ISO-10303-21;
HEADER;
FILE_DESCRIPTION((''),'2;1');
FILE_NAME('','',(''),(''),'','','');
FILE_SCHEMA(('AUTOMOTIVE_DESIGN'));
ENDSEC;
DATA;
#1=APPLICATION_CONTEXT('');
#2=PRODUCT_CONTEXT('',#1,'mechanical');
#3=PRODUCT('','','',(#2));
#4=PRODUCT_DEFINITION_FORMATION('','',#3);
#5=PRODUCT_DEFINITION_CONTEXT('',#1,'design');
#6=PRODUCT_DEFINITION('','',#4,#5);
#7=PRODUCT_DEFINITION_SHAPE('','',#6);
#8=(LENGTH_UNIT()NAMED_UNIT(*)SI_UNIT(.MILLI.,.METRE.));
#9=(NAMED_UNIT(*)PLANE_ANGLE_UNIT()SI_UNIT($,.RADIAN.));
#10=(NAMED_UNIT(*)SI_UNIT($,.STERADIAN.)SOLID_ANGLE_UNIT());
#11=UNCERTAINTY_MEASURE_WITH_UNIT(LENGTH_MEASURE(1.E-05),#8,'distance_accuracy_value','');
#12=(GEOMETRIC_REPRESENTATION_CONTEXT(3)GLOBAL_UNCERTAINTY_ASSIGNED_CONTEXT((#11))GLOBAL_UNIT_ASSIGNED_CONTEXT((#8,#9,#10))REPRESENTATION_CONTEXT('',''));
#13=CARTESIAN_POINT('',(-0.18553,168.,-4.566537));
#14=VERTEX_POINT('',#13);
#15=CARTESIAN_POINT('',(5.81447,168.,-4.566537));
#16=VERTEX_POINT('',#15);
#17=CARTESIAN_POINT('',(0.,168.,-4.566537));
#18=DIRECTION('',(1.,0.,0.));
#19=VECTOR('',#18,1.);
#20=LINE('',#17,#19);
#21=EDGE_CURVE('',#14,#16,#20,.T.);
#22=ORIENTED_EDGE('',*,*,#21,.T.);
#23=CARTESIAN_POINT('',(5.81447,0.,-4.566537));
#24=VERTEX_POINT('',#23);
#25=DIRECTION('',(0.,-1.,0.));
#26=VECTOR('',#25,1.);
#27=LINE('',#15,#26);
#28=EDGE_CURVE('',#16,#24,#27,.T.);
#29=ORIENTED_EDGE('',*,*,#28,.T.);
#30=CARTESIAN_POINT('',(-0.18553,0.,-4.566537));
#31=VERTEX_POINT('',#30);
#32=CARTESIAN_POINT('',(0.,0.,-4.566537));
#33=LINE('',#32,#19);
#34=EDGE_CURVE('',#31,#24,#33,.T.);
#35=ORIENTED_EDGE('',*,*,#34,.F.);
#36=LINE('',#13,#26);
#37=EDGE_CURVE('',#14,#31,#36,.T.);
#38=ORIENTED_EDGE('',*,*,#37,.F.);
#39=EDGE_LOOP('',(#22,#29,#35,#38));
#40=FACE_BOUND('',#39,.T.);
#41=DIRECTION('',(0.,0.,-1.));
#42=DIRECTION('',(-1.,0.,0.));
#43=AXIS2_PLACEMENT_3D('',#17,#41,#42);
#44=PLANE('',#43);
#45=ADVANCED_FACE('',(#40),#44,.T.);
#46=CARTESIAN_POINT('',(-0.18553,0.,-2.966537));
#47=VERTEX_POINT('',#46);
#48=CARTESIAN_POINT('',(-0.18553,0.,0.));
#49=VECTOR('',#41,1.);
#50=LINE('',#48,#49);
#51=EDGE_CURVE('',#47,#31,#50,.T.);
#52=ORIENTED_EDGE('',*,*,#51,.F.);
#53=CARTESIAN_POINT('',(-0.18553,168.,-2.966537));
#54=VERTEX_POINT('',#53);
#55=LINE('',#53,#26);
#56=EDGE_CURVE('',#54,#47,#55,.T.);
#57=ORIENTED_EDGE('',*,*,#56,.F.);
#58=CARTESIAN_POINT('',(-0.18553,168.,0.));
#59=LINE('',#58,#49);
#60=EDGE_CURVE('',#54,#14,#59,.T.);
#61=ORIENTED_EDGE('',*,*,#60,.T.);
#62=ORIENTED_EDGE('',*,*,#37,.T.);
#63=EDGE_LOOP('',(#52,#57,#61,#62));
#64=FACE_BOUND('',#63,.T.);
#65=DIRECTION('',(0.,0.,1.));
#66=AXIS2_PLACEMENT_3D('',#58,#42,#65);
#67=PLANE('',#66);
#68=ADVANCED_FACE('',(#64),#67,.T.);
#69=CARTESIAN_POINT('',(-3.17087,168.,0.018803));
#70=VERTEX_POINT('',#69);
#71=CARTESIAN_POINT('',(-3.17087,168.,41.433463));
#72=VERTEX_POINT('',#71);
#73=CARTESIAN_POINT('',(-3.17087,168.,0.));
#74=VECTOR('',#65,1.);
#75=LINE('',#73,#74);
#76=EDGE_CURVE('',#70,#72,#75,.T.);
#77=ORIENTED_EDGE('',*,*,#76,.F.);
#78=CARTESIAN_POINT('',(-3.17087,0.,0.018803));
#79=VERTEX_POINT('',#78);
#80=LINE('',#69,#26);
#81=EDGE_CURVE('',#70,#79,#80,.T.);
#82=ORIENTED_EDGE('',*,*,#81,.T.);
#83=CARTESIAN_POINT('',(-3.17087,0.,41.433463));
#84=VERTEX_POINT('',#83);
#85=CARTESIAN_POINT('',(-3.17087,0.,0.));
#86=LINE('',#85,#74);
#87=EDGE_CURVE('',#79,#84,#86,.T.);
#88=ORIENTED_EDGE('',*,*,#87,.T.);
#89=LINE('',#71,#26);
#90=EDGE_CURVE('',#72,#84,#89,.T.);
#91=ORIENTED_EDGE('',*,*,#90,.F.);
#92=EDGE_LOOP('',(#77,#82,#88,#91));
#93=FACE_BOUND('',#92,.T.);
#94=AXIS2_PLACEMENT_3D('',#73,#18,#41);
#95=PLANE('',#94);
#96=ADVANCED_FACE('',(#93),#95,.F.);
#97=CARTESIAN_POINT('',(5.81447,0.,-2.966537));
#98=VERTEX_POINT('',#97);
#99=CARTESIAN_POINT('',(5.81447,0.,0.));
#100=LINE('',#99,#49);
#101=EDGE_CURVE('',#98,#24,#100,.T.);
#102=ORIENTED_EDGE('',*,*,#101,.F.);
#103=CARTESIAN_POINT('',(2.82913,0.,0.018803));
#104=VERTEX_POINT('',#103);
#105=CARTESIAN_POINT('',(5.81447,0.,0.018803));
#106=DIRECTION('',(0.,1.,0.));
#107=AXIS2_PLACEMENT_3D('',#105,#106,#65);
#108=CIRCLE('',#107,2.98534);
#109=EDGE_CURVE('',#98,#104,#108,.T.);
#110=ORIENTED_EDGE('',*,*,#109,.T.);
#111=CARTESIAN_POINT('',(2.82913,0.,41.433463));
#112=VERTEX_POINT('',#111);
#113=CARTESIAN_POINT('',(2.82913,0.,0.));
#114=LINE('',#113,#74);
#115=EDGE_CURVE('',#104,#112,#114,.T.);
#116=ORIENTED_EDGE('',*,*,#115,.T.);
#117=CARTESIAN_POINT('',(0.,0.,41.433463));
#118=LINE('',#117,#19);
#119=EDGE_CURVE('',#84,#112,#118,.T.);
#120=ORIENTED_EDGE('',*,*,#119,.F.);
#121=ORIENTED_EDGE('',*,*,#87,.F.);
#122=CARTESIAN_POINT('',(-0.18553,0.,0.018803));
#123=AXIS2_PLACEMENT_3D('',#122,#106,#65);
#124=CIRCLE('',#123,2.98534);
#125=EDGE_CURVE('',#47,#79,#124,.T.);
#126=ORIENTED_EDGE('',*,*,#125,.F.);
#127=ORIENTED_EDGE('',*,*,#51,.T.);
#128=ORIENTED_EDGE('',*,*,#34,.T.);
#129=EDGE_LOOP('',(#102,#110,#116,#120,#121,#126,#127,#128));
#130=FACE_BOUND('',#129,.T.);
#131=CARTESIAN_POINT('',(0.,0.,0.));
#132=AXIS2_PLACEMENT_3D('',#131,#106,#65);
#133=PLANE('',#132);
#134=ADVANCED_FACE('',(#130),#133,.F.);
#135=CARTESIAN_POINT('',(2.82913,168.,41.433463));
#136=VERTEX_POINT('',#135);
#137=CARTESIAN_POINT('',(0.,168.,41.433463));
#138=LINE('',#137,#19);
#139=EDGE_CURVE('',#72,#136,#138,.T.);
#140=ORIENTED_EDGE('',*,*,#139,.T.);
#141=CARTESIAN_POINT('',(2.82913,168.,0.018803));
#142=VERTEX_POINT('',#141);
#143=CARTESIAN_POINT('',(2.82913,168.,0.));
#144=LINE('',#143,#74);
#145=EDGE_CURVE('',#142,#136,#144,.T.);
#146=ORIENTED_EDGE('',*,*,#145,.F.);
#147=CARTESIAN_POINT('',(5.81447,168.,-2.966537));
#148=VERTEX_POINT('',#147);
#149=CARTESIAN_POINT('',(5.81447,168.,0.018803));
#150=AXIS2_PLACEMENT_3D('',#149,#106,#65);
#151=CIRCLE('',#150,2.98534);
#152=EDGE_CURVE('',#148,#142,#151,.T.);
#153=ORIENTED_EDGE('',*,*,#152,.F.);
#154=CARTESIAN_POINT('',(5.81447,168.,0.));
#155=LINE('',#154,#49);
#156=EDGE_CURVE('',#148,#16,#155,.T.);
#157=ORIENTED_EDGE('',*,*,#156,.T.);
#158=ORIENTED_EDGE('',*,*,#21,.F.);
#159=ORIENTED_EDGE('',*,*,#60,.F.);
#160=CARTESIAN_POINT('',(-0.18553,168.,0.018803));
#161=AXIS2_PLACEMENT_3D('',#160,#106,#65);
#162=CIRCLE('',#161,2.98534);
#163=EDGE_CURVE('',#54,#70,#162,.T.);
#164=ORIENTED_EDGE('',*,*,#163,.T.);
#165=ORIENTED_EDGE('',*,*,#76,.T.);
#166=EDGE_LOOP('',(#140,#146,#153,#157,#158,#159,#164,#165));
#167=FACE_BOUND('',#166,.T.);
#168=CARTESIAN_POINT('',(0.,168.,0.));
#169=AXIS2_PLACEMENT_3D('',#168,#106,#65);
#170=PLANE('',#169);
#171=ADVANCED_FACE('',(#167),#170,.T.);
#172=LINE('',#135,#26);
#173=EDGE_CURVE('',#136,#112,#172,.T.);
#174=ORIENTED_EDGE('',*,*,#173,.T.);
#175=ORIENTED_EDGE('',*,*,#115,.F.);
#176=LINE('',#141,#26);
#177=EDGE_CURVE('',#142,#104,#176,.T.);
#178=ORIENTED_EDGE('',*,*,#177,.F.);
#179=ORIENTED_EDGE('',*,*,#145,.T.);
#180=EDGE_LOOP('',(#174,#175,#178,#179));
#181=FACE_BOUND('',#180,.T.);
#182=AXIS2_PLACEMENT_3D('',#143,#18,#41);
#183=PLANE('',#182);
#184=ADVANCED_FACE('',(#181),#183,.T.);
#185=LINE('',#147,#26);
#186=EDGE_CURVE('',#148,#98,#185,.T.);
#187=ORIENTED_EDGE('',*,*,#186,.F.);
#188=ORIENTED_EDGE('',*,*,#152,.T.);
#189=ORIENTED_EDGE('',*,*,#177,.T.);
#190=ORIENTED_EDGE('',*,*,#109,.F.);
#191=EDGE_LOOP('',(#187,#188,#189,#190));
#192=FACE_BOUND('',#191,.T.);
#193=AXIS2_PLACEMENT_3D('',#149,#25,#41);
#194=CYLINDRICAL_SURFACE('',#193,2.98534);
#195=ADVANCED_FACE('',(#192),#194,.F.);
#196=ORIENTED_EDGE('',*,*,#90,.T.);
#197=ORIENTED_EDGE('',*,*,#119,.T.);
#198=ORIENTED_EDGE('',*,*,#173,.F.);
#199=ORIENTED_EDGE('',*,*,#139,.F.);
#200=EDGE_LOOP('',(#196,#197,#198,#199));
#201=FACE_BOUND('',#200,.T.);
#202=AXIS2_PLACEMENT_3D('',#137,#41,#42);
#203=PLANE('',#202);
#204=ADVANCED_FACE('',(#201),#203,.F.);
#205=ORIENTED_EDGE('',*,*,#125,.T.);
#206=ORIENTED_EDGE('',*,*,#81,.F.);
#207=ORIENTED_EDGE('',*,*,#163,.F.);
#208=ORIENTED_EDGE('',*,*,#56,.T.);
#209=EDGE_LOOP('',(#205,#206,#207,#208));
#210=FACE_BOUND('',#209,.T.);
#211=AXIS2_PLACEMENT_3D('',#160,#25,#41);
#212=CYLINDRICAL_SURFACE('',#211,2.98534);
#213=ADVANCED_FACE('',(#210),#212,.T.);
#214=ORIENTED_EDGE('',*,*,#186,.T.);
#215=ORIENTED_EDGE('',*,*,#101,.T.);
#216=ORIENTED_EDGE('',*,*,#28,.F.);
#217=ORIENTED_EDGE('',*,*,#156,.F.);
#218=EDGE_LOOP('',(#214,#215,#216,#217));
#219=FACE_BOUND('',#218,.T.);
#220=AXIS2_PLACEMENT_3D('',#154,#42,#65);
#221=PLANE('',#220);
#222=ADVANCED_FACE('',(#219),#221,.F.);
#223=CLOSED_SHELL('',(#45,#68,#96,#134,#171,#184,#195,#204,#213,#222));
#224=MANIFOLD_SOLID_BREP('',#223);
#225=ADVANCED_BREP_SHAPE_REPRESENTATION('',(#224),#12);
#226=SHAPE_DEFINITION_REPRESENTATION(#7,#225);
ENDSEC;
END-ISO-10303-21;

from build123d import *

# Parameters (mm, degrees)
BOSS_EXTRUDE1_DEPTH = 168


with BuildPart() as part:
    # Sketch1 → Boss-Extrude1 (new body)
    with BuildSketch(Plane(origin=(0, 0, 0), x_dir=(1, 0, 0), z_dir=(0, 1, 0))):
        with BuildLine():
            Line((5.814470124, 4.566536611), (2.829130053, 4.566536611))
            Line((2.829130053, 4.566536611), (2.829130053, -0.01880346))
            ThreePointArc((2.829130053, -0.01880346), (3.703515915, 2.092150748), (5.814470124, 2.966536611))
            Line((5.814470124, 2.966536611), (5.814470124, 4.566536611))
        make_face()
        with BuildLine():
            Line((2.829130053, -0.01880346), (2.829130053, 4.566536611))
            Line((2.829130053, 4.566536611), (-0.185529876, 4.566536611))
            Line((-0.185529876, 4.566536611), (-0.185529876, 2.966536611))
            ThreePointArc((-0.185529876, 2.966536611), (-2.296484085, 2.092150748), (-3.170869947, -0.01880346))
            Line((-3.170869947, -0.01880346), (-3.170869947, -41.433463389))
            Line((-3.170869947, -41.433463389), (2.829130053, -41.433463389))
            Line((2.829130053, -41.433463389), (2.829130053, -0.01880346))
        make_face()
    extrude(amount=BOSS_EXTRUDE1_DEPTH)


solid = part.part
